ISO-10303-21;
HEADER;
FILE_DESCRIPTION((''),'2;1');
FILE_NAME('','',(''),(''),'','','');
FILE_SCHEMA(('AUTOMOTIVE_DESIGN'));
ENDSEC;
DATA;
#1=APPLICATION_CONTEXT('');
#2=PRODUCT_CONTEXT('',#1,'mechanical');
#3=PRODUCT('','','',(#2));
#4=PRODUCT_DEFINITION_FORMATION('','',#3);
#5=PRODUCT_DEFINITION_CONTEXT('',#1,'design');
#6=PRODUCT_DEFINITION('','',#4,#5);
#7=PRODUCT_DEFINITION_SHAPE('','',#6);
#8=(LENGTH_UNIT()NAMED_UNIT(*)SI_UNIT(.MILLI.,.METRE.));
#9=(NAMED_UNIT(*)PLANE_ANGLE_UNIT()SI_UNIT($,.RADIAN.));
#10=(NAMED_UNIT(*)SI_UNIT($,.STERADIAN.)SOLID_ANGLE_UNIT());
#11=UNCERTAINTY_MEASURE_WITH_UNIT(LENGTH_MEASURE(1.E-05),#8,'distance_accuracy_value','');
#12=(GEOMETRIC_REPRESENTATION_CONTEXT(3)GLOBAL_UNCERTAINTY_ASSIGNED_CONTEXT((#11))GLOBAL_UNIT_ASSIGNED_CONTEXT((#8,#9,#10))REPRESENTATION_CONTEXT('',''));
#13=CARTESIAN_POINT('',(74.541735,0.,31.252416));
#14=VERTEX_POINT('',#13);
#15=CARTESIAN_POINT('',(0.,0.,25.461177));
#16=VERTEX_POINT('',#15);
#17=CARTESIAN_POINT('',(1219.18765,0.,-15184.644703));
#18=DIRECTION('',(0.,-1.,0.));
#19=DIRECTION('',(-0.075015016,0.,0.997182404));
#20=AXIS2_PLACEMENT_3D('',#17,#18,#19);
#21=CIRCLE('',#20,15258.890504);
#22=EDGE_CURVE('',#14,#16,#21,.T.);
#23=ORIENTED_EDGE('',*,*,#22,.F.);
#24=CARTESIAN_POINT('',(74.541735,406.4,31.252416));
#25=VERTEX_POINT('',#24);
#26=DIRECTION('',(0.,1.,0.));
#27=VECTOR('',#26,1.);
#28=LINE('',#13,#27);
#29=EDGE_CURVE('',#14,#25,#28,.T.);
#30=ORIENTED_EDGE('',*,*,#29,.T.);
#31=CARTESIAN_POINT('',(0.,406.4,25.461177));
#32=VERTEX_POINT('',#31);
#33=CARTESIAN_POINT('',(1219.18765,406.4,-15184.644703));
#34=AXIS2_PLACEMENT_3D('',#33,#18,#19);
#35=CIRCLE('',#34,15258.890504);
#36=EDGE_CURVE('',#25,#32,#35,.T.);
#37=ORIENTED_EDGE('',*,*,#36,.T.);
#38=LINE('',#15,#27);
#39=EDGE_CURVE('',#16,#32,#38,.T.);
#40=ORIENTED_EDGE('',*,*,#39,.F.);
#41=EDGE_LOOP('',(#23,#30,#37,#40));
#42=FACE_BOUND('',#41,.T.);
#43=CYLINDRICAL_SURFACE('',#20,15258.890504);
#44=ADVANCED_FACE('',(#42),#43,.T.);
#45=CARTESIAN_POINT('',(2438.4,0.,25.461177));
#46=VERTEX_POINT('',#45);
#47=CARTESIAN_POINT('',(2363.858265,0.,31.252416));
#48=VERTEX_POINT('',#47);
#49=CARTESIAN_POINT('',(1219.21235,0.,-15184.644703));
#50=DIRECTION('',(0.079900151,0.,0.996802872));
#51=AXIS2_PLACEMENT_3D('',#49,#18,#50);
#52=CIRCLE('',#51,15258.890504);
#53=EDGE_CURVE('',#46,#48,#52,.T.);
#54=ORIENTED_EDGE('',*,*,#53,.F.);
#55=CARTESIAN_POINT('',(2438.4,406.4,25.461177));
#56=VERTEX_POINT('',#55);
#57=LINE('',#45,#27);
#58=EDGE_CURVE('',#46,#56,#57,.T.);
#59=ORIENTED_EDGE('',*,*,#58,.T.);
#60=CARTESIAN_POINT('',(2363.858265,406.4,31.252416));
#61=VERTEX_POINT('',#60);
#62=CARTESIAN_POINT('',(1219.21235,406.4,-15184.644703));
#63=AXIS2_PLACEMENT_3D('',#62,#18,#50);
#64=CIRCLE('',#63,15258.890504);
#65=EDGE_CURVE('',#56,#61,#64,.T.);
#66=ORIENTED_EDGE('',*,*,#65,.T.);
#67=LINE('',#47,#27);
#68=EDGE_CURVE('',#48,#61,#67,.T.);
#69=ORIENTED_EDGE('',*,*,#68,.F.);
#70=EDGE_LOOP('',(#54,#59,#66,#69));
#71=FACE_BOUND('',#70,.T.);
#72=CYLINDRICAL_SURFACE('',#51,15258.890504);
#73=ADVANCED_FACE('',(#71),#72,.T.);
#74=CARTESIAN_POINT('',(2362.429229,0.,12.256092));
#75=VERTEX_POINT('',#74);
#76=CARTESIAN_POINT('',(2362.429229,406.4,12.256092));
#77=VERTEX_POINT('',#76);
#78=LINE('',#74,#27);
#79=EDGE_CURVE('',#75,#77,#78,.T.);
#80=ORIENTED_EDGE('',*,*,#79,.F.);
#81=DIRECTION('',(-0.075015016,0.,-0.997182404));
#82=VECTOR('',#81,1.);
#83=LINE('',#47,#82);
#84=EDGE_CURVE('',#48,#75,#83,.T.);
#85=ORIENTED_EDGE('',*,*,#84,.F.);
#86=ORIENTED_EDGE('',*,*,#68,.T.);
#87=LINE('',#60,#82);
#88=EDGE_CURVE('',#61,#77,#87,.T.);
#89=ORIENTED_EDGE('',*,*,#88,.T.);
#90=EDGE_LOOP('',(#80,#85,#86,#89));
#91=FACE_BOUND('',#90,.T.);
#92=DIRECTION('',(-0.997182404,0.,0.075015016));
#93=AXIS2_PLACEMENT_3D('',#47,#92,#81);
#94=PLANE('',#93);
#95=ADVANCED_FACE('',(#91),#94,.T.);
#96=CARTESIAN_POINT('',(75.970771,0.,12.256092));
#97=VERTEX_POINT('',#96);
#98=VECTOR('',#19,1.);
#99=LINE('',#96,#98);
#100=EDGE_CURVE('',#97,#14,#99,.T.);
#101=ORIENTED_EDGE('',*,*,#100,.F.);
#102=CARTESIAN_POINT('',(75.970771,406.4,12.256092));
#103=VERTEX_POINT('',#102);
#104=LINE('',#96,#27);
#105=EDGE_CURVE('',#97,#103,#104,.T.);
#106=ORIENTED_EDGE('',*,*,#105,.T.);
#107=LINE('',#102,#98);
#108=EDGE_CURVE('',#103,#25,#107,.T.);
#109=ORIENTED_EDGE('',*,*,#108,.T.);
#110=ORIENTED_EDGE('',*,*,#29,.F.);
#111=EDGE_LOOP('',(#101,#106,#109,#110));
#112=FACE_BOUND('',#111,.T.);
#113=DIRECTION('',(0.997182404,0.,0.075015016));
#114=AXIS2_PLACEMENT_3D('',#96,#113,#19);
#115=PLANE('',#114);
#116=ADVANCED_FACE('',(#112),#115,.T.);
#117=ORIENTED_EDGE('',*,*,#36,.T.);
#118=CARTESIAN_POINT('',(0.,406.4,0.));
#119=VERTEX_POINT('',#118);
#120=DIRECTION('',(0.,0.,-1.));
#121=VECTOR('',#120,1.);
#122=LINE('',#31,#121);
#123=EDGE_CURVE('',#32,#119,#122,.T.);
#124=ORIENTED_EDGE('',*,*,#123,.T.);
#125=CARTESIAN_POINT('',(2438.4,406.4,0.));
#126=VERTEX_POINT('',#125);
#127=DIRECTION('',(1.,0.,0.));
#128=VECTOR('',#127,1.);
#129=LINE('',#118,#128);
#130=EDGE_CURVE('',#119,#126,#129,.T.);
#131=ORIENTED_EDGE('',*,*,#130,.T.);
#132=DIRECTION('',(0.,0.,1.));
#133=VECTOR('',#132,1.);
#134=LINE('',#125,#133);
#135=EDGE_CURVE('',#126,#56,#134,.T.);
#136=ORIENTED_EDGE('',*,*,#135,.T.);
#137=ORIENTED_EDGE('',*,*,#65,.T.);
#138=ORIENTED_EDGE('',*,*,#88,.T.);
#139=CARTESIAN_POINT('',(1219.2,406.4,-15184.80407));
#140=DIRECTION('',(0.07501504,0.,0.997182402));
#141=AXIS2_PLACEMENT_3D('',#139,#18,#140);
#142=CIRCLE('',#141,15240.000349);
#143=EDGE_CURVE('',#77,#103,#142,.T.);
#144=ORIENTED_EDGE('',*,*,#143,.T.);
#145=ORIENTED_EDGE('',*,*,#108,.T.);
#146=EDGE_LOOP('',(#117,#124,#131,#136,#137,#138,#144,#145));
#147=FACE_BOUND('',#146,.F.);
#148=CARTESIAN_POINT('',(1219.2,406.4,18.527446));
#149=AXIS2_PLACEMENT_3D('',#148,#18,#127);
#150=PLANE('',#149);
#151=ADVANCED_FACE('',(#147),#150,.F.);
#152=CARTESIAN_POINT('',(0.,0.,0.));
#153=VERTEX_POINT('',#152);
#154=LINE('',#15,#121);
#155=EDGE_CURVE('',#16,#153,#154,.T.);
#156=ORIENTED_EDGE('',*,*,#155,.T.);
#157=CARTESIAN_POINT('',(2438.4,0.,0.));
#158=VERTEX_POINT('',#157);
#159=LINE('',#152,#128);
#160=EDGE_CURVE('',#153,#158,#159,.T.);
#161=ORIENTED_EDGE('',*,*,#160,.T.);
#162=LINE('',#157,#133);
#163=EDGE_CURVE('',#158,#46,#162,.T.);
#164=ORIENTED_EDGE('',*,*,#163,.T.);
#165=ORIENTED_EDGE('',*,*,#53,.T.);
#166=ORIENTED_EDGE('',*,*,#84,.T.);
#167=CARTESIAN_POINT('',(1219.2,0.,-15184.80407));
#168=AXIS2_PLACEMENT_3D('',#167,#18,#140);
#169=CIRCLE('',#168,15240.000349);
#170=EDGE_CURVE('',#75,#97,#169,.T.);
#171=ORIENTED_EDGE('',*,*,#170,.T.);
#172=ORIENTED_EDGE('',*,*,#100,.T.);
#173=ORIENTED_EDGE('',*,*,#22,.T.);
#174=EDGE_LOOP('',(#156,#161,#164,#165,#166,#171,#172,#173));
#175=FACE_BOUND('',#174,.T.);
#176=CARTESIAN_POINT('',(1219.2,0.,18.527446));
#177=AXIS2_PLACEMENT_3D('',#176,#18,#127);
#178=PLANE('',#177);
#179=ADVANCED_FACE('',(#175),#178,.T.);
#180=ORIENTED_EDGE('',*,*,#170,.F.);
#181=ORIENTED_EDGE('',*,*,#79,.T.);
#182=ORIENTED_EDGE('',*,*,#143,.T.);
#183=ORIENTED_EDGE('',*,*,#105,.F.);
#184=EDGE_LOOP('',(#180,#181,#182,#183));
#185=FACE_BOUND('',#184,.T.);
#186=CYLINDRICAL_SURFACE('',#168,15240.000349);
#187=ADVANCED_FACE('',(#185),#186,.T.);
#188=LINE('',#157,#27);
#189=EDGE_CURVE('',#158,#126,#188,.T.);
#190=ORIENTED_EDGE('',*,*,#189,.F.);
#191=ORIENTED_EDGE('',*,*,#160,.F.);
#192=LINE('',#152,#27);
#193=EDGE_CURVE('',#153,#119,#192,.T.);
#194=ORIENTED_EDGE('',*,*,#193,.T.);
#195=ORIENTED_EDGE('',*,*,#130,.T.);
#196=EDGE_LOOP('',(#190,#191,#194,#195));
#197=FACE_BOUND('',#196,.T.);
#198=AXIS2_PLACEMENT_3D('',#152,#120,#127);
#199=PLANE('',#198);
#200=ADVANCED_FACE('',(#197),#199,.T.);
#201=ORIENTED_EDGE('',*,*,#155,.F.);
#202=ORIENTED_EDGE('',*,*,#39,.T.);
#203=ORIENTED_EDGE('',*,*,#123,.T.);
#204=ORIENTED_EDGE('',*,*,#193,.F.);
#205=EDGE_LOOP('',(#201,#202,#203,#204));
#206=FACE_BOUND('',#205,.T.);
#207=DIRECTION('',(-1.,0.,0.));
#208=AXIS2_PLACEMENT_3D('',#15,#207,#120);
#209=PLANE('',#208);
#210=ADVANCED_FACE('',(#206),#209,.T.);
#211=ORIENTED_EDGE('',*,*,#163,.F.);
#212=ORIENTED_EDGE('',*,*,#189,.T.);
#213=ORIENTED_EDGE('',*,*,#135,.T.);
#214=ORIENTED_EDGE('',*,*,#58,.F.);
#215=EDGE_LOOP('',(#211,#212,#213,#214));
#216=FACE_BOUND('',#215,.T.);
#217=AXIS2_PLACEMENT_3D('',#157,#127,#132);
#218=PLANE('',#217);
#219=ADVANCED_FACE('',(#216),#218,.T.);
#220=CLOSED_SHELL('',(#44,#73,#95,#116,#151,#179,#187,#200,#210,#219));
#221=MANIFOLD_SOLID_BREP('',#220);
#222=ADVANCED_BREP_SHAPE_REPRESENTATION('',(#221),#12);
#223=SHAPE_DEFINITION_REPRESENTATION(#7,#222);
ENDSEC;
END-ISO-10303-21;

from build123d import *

# Parameters (mm, degrees)
F1_DEPTH = 406.4


with BuildPart() as f1:
    # F0 (on Front) → F1 (new body)
    with BuildSketch(Plane.XZ):
        with BuildLine():
            Line((2363.858265, 31.252416), (2362.429229, 12.256092))
            ThreePointArc((2362.429229, 12.256092), (1219.2, 55.196279), (75.970771, 12.256092))
            Line((75.970771, 12.256092), (74.541735, 31.252416))
            ThreePointArc((74.541735, 31.252416), (37.26732, 28.402452), (0, 25.461177))
            Line((0, 25.461177), (0, 6.35))
            Line((0, 6.35), (0, 0))
            Line((0, 0), (2438.4, 0))
            Line((2438.4, 0), (2438.4, 6.35))
            Line((2438.4, 6.35), (2438.4, 25.461177))
            ThreePointArc((2438.4, 25.461177), (2401.13268, 28.402452), (2363.858265, 31.252416))
        make_face()
    extrude(amount=-F1_DEPTH)


solid = f1.part
